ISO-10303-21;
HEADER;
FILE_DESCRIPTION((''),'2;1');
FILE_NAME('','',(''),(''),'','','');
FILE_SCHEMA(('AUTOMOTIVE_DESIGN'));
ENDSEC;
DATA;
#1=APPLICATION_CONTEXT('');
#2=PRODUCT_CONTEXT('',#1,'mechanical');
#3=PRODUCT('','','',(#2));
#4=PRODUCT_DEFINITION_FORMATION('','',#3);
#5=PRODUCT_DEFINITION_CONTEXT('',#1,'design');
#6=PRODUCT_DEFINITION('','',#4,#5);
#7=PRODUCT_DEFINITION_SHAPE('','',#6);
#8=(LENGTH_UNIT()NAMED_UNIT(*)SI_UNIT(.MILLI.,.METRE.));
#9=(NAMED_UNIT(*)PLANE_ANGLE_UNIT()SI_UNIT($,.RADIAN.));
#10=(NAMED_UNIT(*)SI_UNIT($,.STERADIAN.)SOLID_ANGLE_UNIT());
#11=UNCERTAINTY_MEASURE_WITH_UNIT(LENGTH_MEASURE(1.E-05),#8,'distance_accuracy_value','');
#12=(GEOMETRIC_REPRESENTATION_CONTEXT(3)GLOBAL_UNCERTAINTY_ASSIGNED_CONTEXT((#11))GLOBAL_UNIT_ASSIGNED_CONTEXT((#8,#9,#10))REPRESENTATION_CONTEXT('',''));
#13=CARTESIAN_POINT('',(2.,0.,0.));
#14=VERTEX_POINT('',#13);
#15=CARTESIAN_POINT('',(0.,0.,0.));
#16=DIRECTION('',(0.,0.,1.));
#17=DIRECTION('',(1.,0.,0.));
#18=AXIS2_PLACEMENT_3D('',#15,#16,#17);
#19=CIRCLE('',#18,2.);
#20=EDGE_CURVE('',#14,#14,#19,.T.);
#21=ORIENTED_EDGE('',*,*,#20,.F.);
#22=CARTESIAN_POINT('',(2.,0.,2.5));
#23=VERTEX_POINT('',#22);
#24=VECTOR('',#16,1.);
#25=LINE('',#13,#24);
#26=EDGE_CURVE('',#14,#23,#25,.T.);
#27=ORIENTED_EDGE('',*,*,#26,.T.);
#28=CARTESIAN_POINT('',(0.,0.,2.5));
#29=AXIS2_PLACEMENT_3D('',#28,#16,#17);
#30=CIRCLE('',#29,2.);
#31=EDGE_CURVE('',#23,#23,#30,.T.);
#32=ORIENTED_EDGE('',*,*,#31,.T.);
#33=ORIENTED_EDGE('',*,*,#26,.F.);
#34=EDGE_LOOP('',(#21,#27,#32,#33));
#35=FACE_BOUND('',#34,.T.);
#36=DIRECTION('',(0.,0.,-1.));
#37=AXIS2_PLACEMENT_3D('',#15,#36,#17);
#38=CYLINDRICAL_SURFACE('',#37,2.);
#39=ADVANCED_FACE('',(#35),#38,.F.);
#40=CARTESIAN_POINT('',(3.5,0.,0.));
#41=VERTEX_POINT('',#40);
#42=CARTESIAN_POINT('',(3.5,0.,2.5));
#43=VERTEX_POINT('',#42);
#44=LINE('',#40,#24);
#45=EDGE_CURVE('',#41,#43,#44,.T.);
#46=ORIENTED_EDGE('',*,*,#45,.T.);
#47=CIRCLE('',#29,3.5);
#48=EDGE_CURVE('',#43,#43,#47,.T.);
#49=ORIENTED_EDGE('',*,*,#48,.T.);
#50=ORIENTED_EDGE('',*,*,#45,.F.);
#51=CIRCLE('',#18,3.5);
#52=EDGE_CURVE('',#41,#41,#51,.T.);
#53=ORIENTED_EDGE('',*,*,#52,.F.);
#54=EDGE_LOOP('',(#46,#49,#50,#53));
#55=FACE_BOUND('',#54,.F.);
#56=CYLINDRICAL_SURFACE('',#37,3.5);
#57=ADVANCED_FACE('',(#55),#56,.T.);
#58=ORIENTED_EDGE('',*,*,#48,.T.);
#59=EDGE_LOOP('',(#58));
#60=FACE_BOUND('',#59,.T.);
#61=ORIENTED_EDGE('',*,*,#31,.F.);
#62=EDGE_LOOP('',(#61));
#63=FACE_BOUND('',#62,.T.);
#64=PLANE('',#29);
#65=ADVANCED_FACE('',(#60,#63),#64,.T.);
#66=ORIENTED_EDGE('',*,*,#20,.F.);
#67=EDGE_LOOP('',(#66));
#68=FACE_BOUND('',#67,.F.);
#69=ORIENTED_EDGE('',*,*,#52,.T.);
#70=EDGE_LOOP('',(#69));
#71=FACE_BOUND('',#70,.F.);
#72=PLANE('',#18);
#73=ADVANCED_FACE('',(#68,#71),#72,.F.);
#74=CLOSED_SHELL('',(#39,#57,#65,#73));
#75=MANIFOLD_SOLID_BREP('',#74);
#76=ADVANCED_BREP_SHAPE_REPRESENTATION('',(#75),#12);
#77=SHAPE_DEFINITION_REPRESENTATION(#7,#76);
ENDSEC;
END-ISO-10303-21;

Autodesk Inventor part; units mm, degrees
ref_plane "YZ Plane" through (0, 0, 0) normal (1, 0, 0) x (0, 1, 0)
ref_plane "XZ Plane" through (0, 0, 0) normal (0, 1, 0) x (-1, 0, 0)
ref_plane "XY Plane" through (0, 0, 0) normal (0, 0, 1) x (1, 0, 0)
sketch "スケッチ1" plane through (0, 0, 0) normal (0, 0, 1) x (1, 0, 0)
  circle A0 centre (0, 0) radius 2
  circle A1 centre (0, 0) radius 3.5
  dimension "d0" = 4
  dimension "d1" = 7
extrude "押し出し1" add sketch "スケッチ1" along normal blind 2.5
properties part number "C-SE674ZZ" material "鋼、炭素鋼"
